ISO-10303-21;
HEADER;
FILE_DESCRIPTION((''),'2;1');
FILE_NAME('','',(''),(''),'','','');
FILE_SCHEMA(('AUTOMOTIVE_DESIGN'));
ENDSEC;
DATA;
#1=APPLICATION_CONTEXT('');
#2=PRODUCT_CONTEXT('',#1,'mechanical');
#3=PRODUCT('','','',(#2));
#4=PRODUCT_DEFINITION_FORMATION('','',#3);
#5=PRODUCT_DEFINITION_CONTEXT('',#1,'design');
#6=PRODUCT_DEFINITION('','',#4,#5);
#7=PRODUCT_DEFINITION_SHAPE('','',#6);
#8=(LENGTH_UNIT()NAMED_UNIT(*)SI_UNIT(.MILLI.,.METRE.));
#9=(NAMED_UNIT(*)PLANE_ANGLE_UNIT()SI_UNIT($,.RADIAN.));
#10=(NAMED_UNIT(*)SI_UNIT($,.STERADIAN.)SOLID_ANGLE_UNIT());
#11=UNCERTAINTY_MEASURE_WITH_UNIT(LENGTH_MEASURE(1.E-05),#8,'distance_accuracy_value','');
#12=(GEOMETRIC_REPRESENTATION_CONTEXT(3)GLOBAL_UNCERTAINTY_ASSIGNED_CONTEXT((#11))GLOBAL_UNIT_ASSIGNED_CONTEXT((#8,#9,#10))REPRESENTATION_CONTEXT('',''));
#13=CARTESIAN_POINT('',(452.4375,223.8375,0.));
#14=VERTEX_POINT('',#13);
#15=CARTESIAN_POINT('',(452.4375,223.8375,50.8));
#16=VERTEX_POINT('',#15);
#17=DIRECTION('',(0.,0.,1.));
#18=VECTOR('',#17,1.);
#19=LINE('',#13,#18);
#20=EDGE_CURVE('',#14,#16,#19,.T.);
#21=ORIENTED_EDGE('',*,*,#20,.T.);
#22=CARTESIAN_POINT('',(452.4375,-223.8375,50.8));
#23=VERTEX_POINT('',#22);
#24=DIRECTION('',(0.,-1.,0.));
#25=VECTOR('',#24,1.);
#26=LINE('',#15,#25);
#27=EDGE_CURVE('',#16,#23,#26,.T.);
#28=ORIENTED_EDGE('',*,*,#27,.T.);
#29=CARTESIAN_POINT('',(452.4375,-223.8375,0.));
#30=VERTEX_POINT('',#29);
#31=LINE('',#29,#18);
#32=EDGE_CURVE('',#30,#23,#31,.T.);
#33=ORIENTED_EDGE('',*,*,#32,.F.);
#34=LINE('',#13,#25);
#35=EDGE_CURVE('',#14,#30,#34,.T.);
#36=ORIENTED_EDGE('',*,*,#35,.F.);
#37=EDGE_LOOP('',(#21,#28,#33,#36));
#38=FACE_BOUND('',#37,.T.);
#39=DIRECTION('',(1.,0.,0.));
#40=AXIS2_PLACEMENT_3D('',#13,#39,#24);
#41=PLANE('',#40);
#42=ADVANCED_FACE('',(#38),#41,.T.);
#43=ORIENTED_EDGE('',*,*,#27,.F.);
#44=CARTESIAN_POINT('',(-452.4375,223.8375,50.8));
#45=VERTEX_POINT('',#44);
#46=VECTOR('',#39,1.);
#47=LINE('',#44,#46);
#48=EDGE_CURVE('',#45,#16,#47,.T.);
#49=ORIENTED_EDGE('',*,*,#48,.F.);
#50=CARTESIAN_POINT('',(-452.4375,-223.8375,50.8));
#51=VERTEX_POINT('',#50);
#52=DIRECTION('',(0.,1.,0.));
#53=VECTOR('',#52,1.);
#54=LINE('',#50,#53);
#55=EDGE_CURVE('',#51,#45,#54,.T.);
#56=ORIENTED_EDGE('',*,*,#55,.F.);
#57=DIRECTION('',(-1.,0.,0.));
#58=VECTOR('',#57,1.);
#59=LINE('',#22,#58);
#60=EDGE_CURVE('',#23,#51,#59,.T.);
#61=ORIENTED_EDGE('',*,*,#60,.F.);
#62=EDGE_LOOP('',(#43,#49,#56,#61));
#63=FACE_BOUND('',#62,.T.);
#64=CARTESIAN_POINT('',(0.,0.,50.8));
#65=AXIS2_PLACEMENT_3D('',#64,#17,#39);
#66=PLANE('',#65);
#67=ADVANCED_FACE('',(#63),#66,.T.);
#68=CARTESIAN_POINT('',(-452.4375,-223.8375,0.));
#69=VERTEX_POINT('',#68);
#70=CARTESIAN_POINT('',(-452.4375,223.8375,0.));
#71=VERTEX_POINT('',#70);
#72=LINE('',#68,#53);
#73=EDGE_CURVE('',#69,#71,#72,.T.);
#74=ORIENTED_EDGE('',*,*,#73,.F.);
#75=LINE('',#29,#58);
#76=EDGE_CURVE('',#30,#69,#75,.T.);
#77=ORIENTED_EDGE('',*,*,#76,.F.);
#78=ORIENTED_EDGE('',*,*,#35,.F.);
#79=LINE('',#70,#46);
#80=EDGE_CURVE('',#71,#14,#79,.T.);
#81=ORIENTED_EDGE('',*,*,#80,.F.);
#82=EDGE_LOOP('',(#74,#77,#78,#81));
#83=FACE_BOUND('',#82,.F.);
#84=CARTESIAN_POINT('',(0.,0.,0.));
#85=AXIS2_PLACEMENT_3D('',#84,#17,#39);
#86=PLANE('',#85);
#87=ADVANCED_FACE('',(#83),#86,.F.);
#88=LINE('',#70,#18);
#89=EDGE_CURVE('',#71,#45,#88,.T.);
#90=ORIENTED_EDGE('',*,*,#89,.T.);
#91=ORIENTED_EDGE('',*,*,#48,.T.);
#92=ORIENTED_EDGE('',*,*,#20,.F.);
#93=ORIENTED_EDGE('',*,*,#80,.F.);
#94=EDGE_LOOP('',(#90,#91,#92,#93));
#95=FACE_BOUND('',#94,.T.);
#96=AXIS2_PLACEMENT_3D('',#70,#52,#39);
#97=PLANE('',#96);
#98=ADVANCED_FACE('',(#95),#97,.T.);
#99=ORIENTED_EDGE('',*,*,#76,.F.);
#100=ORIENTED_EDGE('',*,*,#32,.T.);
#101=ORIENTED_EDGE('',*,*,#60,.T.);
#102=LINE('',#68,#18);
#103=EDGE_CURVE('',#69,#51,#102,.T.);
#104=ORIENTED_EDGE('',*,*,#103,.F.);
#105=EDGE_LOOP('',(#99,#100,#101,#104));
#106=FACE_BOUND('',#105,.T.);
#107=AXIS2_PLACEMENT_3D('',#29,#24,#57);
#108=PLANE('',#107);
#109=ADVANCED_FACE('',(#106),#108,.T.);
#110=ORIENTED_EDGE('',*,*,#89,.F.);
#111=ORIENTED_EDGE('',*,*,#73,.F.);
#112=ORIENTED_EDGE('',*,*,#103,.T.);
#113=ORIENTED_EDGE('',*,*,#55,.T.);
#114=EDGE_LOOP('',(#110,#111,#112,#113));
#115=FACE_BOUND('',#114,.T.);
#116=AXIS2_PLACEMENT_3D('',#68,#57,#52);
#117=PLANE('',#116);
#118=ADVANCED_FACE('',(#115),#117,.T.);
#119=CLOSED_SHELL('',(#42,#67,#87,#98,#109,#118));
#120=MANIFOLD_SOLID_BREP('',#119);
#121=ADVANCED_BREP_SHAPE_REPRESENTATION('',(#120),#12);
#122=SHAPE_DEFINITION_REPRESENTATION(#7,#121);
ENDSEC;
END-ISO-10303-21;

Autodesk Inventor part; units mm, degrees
ref_plane "YZ Plane" through (0, 0, 0) normal (1, 0, 0) x (0, 1, 0)
ref_plane "XZ Plane" through (0, 0, 0) normal (0, 1, 0) x (-1, 0, 0)
ref_plane "XY Plane" through (0, 0, 0) normal (0, 0, 1) x (1, 0, 0)
sketch "Sketch1" plane through (0, 0, 0) normal (0, 0, 1) x (1, 0, 0)
  line L0 (-452.4375, 223.8375) -> (452.4375, 223.8375)
  line L1 (452.4375, 223.8375) -> (452.4375, -223.8375)
  line L2 (452.4375, -223.8375) -> (-452.4375, -223.8375)
  line L3 (-452.4375, -223.8375) -> (-452.4375, 223.8375)
  line L4 (-452.4375, 223.8375) -> (452.4375, -223.8375) construction
  line L5 (452.4375, 223.8375) -> (-452.4375, -223.8375) construction
  point P0 (0, 0)
  dimension "d0" = 904.875
  dimension "d1" = 447.675
extrude "Extrusion1" add sketch "Sketch1" along normal blind 50.8
properties part number "11 - panel - 3379" material "Granite, Cut, Polished"
